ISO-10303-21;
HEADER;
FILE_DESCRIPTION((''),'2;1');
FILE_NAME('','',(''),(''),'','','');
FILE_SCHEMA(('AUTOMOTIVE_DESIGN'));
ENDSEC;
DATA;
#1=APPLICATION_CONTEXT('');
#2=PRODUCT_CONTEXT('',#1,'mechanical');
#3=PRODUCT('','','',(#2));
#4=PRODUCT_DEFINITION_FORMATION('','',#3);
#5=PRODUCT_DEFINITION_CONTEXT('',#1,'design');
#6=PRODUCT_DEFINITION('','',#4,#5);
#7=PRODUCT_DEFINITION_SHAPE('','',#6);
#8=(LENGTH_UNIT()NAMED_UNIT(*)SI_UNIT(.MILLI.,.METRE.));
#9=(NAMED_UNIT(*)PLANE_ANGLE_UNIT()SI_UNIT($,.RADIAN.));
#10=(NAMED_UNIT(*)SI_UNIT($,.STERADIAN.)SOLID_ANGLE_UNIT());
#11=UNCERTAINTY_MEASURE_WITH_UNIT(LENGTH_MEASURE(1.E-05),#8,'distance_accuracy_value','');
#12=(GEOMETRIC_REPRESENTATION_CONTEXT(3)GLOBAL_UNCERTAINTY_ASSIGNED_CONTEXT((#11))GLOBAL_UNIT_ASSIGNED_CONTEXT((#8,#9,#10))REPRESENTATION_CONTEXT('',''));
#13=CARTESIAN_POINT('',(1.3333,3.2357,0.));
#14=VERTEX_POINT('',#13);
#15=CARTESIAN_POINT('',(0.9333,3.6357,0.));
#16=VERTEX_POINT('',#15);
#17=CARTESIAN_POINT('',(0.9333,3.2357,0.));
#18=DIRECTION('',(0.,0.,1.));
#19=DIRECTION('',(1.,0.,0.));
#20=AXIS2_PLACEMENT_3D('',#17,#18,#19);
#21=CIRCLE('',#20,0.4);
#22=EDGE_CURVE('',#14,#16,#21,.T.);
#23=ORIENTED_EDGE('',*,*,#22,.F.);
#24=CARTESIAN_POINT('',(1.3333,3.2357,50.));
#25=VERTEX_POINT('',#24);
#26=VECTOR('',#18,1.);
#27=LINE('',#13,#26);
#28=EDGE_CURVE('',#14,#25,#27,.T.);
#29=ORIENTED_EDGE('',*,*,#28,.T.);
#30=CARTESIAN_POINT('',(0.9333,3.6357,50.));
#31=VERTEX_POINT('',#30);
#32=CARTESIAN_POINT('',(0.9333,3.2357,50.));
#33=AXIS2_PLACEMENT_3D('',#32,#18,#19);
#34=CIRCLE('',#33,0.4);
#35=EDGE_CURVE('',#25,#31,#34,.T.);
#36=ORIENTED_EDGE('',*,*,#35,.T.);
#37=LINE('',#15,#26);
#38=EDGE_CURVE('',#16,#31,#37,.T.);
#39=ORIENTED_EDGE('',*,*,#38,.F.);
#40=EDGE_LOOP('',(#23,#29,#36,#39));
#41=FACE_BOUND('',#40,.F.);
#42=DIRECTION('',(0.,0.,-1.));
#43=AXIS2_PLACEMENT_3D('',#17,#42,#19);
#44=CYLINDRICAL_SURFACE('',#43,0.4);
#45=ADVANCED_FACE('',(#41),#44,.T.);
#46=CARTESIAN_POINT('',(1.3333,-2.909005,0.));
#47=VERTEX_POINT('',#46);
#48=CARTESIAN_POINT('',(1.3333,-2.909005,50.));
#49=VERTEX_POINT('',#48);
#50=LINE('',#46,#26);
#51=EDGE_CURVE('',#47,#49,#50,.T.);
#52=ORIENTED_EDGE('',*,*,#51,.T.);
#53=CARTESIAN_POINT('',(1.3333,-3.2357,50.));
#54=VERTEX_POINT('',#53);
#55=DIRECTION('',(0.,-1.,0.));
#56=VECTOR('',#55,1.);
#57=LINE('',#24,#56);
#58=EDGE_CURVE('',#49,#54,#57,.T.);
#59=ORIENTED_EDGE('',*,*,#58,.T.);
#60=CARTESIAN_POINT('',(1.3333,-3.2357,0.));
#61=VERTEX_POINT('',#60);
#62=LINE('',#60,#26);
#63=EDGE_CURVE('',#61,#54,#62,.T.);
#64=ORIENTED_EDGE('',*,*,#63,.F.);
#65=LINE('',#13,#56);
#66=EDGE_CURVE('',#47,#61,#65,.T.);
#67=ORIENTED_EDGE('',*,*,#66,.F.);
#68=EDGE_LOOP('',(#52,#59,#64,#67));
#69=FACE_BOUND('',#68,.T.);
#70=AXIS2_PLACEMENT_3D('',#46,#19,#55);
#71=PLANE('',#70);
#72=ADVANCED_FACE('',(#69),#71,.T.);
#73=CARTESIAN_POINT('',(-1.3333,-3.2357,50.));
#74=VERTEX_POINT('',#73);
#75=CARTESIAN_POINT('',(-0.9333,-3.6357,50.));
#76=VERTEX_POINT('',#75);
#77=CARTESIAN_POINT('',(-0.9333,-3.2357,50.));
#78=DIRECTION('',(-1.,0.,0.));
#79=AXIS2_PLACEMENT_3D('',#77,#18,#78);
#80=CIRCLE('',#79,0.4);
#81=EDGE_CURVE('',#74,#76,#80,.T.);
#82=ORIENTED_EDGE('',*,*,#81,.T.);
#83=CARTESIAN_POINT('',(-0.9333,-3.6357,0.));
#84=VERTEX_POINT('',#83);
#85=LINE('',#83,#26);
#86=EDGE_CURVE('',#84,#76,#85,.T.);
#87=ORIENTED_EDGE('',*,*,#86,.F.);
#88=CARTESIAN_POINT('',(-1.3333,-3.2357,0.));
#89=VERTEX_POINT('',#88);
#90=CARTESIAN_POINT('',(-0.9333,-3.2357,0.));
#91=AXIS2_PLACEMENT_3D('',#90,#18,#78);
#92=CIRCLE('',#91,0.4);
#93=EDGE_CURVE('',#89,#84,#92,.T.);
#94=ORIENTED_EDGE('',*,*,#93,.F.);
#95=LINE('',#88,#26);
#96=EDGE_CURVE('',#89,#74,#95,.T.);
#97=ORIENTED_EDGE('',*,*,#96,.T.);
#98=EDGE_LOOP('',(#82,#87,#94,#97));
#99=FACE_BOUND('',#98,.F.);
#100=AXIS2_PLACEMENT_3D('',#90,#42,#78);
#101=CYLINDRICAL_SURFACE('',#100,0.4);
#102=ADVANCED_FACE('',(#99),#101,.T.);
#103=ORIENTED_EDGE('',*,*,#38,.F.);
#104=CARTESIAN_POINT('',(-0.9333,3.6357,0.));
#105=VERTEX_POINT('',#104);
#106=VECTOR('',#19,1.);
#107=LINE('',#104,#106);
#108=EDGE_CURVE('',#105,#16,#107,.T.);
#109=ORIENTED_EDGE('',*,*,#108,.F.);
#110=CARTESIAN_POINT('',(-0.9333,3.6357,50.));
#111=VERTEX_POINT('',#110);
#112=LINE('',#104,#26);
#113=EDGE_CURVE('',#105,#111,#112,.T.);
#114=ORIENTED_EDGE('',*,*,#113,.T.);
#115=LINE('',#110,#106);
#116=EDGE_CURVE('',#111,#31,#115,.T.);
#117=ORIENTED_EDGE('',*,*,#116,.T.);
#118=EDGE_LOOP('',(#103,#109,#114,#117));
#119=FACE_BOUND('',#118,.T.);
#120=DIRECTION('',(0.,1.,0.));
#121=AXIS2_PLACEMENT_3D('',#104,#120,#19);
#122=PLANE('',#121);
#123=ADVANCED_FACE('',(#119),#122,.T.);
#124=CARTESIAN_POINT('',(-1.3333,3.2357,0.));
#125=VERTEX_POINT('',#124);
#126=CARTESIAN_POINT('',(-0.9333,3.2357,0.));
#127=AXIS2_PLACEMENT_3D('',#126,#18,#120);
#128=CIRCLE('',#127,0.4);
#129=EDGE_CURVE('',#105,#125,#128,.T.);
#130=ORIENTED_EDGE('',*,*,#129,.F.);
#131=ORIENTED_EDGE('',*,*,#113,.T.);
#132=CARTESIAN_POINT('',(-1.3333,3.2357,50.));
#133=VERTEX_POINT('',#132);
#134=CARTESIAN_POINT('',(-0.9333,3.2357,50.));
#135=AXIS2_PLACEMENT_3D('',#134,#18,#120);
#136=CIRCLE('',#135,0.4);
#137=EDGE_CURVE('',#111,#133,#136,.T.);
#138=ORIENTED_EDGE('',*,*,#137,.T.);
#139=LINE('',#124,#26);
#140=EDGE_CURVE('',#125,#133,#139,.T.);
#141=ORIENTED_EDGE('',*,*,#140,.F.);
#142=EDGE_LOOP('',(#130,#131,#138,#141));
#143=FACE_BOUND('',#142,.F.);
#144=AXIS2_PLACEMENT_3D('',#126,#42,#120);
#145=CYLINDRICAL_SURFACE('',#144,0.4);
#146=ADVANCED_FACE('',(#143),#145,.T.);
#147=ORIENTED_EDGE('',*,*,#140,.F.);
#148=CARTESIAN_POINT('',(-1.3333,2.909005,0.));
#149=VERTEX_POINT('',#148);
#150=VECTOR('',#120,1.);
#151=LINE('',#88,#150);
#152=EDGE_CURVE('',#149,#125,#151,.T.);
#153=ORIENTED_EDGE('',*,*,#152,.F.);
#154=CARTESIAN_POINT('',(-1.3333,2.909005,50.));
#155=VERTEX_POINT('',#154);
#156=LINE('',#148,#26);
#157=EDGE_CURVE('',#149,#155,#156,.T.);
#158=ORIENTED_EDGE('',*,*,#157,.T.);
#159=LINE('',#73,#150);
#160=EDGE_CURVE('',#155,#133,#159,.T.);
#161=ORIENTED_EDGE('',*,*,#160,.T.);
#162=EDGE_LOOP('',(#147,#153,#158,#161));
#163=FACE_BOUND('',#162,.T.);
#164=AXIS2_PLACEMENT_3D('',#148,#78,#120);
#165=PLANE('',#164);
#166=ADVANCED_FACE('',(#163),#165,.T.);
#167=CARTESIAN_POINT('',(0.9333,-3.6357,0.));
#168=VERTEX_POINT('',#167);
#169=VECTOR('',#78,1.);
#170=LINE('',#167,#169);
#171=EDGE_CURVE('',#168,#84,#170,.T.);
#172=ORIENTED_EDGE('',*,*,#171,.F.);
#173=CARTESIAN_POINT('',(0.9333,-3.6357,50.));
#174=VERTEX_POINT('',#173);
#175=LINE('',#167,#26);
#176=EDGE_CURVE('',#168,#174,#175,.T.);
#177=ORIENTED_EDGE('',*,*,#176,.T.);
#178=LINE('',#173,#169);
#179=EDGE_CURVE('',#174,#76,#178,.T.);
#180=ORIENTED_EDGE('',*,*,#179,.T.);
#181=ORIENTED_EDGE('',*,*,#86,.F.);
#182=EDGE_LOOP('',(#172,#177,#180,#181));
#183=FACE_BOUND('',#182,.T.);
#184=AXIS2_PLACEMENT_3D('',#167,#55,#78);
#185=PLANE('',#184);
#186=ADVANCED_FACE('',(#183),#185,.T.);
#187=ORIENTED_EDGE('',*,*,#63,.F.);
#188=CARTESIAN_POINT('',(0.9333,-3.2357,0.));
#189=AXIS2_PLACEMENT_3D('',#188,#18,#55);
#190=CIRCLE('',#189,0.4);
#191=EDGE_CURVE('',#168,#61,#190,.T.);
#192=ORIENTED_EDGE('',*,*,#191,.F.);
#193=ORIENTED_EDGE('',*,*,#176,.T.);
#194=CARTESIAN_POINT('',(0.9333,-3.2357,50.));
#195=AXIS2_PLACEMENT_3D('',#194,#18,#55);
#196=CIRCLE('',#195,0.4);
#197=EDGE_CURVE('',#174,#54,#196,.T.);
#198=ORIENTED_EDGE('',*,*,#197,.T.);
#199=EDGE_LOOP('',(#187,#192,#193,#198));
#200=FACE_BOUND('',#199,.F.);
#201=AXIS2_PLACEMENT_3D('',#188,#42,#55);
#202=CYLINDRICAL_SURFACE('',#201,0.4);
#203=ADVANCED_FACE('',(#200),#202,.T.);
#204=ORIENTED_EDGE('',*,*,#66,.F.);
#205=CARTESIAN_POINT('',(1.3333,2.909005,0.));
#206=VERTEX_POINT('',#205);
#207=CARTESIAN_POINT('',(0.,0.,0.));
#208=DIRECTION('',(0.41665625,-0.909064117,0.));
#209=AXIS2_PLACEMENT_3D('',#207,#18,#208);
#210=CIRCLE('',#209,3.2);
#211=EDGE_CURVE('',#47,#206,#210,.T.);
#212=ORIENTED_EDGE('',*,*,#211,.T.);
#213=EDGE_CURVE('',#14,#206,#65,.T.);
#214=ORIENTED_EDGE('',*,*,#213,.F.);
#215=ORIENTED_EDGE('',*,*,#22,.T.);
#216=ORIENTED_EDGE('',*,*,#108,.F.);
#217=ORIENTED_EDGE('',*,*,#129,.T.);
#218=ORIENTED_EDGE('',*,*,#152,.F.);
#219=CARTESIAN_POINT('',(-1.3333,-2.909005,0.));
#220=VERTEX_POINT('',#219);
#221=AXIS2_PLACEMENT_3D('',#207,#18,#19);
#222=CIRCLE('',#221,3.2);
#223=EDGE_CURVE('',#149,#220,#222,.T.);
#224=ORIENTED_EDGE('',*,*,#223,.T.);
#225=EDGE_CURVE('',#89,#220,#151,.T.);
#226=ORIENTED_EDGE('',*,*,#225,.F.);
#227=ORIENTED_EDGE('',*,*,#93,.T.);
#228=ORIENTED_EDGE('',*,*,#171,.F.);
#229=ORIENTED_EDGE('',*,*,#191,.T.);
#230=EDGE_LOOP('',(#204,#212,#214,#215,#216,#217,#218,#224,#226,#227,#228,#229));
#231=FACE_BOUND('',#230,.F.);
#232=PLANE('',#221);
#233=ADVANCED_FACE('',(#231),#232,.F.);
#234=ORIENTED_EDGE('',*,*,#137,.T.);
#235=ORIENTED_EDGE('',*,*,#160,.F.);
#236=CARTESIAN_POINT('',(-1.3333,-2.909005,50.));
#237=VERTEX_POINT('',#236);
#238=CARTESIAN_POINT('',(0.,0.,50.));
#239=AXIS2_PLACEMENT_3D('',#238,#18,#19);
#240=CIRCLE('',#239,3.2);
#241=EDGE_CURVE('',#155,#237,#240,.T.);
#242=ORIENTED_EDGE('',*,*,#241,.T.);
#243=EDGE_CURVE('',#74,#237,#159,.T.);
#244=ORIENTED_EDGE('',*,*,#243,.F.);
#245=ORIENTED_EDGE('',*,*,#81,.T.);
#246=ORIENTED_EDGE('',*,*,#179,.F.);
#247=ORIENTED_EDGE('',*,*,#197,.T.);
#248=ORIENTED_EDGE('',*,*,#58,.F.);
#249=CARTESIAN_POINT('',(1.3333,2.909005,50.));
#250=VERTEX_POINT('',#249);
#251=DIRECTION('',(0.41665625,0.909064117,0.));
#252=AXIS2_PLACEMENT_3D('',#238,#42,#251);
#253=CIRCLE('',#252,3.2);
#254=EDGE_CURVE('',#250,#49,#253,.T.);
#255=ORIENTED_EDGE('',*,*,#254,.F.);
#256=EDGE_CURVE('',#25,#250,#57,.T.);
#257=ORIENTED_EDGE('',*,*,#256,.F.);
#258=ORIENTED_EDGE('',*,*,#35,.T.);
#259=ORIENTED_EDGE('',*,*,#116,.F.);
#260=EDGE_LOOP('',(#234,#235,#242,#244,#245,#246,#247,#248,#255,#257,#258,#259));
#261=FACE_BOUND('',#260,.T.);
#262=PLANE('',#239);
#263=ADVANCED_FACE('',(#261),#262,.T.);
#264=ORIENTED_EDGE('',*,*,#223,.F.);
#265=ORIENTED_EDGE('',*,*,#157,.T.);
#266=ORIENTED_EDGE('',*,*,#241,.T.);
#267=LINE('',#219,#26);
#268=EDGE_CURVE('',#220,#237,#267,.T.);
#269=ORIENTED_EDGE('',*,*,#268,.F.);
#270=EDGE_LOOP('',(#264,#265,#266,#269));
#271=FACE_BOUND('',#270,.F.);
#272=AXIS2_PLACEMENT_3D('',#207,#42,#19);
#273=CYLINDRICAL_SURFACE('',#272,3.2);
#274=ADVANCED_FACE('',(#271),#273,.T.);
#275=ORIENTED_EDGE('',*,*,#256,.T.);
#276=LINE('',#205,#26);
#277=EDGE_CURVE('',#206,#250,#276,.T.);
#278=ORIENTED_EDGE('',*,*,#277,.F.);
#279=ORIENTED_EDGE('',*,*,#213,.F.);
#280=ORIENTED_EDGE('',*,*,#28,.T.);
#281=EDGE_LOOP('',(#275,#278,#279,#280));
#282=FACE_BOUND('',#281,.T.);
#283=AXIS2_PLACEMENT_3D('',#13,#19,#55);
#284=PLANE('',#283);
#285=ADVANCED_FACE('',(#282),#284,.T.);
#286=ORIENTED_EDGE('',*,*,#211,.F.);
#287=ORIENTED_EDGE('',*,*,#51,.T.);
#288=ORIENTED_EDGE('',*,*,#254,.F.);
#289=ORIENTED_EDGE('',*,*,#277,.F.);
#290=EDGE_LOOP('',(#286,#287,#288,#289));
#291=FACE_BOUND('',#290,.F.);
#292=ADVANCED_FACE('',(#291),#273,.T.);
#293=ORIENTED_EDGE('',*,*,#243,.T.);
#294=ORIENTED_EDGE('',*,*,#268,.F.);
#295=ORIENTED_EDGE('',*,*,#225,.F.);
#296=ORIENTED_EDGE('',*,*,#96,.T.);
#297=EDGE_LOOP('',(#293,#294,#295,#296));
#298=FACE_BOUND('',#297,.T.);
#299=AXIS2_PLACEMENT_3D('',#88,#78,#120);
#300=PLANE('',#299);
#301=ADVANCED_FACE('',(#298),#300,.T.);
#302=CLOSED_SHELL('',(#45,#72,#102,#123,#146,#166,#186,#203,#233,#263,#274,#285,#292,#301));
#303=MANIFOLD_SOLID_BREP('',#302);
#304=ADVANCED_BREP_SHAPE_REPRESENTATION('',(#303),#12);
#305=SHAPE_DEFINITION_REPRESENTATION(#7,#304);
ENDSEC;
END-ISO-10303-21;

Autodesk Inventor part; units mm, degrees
ref_plane "YZ Plane" through (0, 0, 0) normal (1, 0, 0) x (0, 1, 0)
ref_plane "XZ Plane" through (0, 0, 0) normal (0, 1, 0) x (-1, 0, 0)
ref_plane "XY Plane" through (0, 0, 0) normal (0, 0, 1) x (1, 0, 0)
sketch "Sketch1" plane through (0, 0, 0) normal (0, 0, 1) x (1, 0, 0)
  circle A0 centre (0, 0) radius 3.2
  line L0 (0.9333, -3.6357) -> (-0.9333, -3.6357)
  line L1 (-1.3333, -3.2357) -> (-1.3333, 3.2357)
  line L2 (-0.9333, 3.6357) -> (0.9333, 3.6357)
  line L3 (1.3333, 3.2357) -> (1.3333, -3.2357)
  line L4 (1.3333, -3.6357) -> (-1.3333, 3.6357) construction
  line L5 (-1.3333, -3.6357) -> (1.3333, 3.6357) construction
  arc A1 (-0.9333, 3.6357) -> (-1.3333, 3.2357) centre (-0.9333, 3.2357) ccw
  arc A2 (1.3333, 3.2357) -> (0.9333, 3.6357) centre (0.9333, 3.2357) ccw
  arc A3 (0.9333, -3.6357) -> (1.3333, -3.2357) centre (0.9333, -3.2357) ccw
  arc A4 (-1.3333, -3.2357) -> (-0.9333, -3.6357) centre (-0.9333, -3.2357) ccw
  point P0 (-1.3333, 2.909)
  point P1 (-1.3333, -2.909)
  point P2 (1.3333, -2.909)
  point P3 (1.3333, 2.909)
  point P4 (-0.9416, 2.2076)
  point P5 (-0.9416, -2.2076)
  point P6 (0.9416, -2.2076)
  point P7 (0.9416, 2.2076)
  dimension "d0" = 6.4
  dimension "d1" = 2.6667
  dimension "d2" = 7.2714
  dimension "d3" = 0.4
extrude "Extrusion1" add sketch "Sketch1" along normal blind 50
equation "\"d0\" = D_axel - d_toleransAxel"
equation "\"d3\" = r_filletAxel"
equation "\"d4\" = h_axel"
equation "\"D_axel\" = D_axel_1_2_3"
equation "\"d_axelRing\" = d_axelRing_1_2_3"
equation "\"r_filletAxel\" = r_filletAxel_1_2_3"
equation "\"d_toleransAxel\" = 0.6"
equation "\"h_axel\" = 50"
equation "\"D_axel_1_2_3\" = 7"
equation "\"d_axelRing_1_2_3\" = 3"
equation "\"r_filletAxel_1_2_3\" = 0.4"
properties part number "Axel_parametriserad_03"
